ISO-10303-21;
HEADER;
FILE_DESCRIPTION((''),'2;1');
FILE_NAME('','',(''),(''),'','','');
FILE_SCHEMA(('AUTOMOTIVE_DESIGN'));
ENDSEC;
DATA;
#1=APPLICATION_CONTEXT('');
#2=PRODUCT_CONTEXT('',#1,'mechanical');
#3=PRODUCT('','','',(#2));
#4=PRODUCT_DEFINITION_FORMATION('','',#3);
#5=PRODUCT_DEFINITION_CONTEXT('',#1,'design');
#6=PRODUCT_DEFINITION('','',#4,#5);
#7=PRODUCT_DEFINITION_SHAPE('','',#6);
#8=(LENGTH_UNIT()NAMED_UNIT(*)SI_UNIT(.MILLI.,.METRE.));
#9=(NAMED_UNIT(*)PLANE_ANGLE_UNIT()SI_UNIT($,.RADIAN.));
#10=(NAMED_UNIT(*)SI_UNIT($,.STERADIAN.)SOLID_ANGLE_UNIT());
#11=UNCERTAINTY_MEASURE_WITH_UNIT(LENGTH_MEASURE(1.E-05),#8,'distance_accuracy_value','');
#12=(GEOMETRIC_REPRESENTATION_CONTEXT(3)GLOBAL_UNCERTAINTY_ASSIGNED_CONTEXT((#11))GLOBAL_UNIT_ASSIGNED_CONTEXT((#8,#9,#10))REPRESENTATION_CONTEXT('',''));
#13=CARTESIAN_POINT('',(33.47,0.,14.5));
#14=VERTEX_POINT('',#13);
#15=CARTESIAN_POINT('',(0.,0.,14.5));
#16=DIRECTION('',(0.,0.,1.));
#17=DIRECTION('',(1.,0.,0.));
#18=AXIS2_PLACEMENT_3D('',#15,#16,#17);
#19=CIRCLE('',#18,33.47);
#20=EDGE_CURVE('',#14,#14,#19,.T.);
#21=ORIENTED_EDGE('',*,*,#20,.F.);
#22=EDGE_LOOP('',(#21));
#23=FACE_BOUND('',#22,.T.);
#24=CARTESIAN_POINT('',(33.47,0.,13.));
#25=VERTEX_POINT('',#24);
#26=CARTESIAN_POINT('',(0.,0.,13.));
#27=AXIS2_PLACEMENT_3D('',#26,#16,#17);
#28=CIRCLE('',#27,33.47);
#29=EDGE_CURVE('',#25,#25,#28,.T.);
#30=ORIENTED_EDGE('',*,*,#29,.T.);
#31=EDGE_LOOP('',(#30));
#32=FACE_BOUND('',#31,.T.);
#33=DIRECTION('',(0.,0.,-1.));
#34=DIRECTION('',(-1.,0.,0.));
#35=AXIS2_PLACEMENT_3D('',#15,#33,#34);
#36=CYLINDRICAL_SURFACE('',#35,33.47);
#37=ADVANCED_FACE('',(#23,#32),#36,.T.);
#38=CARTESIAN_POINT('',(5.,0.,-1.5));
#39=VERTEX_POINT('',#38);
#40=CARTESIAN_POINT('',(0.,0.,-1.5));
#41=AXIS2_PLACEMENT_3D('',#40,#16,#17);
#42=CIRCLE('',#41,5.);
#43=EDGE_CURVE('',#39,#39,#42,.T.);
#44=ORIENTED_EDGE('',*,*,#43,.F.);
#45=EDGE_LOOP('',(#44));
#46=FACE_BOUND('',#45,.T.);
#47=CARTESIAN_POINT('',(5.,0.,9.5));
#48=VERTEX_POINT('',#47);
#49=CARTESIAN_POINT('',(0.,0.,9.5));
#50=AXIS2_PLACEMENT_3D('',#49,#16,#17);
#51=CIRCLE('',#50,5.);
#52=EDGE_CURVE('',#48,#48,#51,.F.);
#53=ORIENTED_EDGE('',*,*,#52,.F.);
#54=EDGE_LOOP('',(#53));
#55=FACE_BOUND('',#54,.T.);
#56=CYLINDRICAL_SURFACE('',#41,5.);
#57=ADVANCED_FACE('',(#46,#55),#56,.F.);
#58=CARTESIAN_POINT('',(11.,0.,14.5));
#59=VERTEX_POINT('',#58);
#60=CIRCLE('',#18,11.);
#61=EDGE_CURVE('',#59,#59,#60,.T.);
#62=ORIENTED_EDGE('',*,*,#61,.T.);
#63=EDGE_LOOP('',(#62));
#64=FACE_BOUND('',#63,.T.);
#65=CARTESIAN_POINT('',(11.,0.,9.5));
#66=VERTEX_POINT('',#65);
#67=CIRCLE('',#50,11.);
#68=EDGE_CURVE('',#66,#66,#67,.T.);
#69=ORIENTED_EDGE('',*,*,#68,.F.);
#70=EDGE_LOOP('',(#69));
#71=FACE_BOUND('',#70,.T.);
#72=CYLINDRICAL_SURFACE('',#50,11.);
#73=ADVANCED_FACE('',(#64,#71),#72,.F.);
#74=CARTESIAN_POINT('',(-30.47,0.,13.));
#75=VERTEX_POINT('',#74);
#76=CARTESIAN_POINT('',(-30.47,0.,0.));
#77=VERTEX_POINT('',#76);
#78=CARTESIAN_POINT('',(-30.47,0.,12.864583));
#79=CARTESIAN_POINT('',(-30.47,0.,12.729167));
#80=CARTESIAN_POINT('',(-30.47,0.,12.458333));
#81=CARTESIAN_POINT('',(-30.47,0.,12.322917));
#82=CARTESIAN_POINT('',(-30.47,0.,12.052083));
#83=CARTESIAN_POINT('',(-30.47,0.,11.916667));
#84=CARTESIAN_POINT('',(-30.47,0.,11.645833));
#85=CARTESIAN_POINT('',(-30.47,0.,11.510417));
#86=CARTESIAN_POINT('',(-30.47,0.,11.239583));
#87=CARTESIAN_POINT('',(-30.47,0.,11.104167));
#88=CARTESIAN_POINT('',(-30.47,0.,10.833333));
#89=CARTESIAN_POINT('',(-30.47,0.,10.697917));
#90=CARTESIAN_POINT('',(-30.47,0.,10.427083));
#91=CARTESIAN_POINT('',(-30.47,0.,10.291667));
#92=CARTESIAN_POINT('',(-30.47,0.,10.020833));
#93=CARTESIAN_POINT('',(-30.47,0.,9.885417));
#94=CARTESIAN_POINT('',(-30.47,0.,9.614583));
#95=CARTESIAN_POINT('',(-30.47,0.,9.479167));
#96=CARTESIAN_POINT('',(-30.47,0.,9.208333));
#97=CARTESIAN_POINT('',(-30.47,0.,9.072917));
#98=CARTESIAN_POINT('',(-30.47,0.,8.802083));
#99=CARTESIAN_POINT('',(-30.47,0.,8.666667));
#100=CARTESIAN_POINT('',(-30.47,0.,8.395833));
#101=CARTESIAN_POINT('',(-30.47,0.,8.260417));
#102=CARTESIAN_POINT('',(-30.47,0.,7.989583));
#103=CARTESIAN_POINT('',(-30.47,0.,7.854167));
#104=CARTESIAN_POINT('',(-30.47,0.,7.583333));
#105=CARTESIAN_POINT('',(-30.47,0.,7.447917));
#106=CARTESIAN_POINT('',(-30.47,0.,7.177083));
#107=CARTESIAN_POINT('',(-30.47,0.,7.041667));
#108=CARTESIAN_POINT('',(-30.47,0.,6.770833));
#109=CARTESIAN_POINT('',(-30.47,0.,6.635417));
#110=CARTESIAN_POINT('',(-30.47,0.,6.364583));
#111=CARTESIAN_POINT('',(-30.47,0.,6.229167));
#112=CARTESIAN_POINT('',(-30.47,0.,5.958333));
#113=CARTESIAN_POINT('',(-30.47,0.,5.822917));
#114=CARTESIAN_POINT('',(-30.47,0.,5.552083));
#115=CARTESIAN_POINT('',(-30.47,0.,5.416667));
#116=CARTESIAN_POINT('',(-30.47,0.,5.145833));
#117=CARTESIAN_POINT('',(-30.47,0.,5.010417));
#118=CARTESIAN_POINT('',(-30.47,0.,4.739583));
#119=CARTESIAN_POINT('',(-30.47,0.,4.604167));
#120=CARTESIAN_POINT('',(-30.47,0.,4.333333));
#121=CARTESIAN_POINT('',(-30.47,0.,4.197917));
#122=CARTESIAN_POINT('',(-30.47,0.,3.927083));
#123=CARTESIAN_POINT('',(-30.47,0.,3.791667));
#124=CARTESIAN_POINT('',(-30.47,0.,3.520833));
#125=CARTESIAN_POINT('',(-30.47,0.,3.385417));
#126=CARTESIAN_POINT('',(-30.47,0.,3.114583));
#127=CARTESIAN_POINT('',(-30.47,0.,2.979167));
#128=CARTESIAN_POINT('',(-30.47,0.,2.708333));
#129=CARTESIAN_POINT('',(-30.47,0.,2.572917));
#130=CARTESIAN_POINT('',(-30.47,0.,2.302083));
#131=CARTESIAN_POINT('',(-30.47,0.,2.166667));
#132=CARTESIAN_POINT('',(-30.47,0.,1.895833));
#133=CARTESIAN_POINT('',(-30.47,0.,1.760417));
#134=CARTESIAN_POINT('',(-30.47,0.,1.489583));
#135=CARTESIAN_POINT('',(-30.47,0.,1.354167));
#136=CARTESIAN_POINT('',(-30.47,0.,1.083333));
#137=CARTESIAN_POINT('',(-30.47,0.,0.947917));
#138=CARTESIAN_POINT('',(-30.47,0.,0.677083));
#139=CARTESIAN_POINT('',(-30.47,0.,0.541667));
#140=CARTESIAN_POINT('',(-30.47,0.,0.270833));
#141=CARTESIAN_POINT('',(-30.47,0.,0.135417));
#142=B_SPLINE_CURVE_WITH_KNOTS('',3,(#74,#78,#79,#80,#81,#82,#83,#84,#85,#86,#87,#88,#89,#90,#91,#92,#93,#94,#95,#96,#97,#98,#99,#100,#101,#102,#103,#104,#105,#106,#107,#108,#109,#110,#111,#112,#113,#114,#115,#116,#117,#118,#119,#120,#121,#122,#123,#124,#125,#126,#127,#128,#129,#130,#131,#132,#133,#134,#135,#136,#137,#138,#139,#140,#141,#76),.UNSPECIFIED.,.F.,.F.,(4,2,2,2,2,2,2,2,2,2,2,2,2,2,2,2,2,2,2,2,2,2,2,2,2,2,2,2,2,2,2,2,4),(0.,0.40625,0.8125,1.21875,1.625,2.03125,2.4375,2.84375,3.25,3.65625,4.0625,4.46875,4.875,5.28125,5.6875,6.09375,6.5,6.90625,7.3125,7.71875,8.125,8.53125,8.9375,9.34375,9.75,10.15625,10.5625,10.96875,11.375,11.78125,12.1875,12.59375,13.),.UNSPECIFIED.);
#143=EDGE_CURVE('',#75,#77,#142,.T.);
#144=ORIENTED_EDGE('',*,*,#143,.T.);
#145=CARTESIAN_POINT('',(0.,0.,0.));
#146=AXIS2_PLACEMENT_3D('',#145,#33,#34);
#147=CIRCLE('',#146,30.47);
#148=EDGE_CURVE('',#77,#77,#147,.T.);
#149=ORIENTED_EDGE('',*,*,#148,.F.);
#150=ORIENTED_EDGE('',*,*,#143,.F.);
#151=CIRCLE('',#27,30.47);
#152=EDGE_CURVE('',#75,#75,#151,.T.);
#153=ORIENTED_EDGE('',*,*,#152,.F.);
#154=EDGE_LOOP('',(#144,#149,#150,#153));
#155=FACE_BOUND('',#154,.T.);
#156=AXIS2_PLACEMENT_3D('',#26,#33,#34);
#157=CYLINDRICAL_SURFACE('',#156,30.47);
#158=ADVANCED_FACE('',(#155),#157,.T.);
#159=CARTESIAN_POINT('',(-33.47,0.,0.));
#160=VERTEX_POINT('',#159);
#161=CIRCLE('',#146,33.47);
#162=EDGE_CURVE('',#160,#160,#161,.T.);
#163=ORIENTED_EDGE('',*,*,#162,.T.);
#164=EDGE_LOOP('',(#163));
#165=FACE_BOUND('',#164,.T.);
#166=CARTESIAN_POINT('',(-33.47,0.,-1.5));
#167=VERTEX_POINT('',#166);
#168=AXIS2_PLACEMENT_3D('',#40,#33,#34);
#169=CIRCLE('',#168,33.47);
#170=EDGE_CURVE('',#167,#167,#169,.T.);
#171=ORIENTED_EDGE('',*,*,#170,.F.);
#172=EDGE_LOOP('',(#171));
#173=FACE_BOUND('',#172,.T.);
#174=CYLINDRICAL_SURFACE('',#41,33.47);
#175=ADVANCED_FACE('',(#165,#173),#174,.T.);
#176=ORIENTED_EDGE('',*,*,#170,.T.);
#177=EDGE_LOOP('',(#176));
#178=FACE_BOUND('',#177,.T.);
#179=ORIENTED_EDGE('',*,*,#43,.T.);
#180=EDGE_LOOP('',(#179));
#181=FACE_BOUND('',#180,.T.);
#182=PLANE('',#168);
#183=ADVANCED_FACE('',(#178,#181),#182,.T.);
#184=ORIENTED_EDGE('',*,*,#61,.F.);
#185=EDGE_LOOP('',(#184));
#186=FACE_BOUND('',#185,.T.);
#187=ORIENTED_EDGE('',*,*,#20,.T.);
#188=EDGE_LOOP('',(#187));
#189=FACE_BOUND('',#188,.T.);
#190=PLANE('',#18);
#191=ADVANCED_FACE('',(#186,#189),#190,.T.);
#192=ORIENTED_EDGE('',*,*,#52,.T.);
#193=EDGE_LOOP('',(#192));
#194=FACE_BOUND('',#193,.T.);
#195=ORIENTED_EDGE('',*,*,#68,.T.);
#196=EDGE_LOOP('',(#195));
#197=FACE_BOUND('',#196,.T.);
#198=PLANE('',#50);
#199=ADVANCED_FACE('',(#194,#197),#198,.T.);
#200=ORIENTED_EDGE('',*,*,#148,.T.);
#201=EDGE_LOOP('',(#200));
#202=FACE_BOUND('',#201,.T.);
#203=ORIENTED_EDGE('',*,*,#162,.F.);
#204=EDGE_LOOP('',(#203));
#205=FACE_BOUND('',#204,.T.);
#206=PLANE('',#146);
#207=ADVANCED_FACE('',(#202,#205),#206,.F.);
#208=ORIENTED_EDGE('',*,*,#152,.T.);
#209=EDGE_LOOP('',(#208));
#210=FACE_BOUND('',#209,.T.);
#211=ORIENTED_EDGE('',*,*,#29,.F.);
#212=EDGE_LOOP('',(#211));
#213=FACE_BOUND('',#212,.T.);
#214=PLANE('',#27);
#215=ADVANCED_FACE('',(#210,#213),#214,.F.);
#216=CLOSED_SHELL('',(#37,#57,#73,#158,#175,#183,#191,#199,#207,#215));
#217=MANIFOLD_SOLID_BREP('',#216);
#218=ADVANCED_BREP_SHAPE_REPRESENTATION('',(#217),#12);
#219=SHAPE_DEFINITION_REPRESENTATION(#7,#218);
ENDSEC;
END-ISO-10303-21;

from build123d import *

# Parameters (mm, degrees)
SKETCH_1_R          = 30.47
EXTRUDE_1_DEPTH     = 13
SKETCH_2_R          = 33.47
EXTRUDE_2_DEPTH     = 1.5
EXTRUDE_START       = 1.5
SKETCH_3_R          = 33.47
EXTRUDE_3_DEPTH     = 1.5
SKETCH_4_R          = 5
CUT_EXTRUDE_1_DEPTH = 50.964805614
SKETCH_5_R          = 11
CUT_EXTRUDE_2_DEPTH = 5


with BuildPart() as part:
    # 草图1 → 凸台-拉伸1 (new body)
    with BuildSketch(Plane.XY):
        with Locations(Location((0, 0, 0), (0, 0, 180))):
            Circle(SKETCH_1_R)
    extrude(amount=EXTRUDE_1_DEPTH)

    # 草图2 → 凸台-拉伸2 (add)
    with BuildSketch(Plane.XY.offset(13)):
        Circle(SKETCH_2_R)
    extrude(amount=EXTRUDE_2_DEPTH)

    # 草图3 → 凸台-拉伸3 (add)
    with BuildSketch(Plane(origin=(0, 0, 0), x_dir=(-1, 0, 0), z_dir=(0, 0, -1)).offset(EXTRUDE_START)):
        with Locations(Location((0, 0, 0), (0, 0, 180))):
            Circle(SKETCH_3_R)
    extrude(amount=-EXTRUDE_3_DEPTH)

    # 草图4 → 切除-拉伸1 (cut, through all)
    with BuildSketch(Plane.XY.offset(14.5)):
        Circle(SKETCH_4_R)
    extrude(amount=-CUT_EXTRUDE_1_DEPTH, mode=Mode.SUBTRACT)

    # 草图5 → 切除-拉伸2 (cut)
    with BuildSketch(Plane.XY.offset(14.5)):
        Circle(SKETCH_5_R)
    extrude(amount=-CUT_EXTRUDE_2_DEPTH, mode=Mode.SUBTRACT)


solid = part.part
